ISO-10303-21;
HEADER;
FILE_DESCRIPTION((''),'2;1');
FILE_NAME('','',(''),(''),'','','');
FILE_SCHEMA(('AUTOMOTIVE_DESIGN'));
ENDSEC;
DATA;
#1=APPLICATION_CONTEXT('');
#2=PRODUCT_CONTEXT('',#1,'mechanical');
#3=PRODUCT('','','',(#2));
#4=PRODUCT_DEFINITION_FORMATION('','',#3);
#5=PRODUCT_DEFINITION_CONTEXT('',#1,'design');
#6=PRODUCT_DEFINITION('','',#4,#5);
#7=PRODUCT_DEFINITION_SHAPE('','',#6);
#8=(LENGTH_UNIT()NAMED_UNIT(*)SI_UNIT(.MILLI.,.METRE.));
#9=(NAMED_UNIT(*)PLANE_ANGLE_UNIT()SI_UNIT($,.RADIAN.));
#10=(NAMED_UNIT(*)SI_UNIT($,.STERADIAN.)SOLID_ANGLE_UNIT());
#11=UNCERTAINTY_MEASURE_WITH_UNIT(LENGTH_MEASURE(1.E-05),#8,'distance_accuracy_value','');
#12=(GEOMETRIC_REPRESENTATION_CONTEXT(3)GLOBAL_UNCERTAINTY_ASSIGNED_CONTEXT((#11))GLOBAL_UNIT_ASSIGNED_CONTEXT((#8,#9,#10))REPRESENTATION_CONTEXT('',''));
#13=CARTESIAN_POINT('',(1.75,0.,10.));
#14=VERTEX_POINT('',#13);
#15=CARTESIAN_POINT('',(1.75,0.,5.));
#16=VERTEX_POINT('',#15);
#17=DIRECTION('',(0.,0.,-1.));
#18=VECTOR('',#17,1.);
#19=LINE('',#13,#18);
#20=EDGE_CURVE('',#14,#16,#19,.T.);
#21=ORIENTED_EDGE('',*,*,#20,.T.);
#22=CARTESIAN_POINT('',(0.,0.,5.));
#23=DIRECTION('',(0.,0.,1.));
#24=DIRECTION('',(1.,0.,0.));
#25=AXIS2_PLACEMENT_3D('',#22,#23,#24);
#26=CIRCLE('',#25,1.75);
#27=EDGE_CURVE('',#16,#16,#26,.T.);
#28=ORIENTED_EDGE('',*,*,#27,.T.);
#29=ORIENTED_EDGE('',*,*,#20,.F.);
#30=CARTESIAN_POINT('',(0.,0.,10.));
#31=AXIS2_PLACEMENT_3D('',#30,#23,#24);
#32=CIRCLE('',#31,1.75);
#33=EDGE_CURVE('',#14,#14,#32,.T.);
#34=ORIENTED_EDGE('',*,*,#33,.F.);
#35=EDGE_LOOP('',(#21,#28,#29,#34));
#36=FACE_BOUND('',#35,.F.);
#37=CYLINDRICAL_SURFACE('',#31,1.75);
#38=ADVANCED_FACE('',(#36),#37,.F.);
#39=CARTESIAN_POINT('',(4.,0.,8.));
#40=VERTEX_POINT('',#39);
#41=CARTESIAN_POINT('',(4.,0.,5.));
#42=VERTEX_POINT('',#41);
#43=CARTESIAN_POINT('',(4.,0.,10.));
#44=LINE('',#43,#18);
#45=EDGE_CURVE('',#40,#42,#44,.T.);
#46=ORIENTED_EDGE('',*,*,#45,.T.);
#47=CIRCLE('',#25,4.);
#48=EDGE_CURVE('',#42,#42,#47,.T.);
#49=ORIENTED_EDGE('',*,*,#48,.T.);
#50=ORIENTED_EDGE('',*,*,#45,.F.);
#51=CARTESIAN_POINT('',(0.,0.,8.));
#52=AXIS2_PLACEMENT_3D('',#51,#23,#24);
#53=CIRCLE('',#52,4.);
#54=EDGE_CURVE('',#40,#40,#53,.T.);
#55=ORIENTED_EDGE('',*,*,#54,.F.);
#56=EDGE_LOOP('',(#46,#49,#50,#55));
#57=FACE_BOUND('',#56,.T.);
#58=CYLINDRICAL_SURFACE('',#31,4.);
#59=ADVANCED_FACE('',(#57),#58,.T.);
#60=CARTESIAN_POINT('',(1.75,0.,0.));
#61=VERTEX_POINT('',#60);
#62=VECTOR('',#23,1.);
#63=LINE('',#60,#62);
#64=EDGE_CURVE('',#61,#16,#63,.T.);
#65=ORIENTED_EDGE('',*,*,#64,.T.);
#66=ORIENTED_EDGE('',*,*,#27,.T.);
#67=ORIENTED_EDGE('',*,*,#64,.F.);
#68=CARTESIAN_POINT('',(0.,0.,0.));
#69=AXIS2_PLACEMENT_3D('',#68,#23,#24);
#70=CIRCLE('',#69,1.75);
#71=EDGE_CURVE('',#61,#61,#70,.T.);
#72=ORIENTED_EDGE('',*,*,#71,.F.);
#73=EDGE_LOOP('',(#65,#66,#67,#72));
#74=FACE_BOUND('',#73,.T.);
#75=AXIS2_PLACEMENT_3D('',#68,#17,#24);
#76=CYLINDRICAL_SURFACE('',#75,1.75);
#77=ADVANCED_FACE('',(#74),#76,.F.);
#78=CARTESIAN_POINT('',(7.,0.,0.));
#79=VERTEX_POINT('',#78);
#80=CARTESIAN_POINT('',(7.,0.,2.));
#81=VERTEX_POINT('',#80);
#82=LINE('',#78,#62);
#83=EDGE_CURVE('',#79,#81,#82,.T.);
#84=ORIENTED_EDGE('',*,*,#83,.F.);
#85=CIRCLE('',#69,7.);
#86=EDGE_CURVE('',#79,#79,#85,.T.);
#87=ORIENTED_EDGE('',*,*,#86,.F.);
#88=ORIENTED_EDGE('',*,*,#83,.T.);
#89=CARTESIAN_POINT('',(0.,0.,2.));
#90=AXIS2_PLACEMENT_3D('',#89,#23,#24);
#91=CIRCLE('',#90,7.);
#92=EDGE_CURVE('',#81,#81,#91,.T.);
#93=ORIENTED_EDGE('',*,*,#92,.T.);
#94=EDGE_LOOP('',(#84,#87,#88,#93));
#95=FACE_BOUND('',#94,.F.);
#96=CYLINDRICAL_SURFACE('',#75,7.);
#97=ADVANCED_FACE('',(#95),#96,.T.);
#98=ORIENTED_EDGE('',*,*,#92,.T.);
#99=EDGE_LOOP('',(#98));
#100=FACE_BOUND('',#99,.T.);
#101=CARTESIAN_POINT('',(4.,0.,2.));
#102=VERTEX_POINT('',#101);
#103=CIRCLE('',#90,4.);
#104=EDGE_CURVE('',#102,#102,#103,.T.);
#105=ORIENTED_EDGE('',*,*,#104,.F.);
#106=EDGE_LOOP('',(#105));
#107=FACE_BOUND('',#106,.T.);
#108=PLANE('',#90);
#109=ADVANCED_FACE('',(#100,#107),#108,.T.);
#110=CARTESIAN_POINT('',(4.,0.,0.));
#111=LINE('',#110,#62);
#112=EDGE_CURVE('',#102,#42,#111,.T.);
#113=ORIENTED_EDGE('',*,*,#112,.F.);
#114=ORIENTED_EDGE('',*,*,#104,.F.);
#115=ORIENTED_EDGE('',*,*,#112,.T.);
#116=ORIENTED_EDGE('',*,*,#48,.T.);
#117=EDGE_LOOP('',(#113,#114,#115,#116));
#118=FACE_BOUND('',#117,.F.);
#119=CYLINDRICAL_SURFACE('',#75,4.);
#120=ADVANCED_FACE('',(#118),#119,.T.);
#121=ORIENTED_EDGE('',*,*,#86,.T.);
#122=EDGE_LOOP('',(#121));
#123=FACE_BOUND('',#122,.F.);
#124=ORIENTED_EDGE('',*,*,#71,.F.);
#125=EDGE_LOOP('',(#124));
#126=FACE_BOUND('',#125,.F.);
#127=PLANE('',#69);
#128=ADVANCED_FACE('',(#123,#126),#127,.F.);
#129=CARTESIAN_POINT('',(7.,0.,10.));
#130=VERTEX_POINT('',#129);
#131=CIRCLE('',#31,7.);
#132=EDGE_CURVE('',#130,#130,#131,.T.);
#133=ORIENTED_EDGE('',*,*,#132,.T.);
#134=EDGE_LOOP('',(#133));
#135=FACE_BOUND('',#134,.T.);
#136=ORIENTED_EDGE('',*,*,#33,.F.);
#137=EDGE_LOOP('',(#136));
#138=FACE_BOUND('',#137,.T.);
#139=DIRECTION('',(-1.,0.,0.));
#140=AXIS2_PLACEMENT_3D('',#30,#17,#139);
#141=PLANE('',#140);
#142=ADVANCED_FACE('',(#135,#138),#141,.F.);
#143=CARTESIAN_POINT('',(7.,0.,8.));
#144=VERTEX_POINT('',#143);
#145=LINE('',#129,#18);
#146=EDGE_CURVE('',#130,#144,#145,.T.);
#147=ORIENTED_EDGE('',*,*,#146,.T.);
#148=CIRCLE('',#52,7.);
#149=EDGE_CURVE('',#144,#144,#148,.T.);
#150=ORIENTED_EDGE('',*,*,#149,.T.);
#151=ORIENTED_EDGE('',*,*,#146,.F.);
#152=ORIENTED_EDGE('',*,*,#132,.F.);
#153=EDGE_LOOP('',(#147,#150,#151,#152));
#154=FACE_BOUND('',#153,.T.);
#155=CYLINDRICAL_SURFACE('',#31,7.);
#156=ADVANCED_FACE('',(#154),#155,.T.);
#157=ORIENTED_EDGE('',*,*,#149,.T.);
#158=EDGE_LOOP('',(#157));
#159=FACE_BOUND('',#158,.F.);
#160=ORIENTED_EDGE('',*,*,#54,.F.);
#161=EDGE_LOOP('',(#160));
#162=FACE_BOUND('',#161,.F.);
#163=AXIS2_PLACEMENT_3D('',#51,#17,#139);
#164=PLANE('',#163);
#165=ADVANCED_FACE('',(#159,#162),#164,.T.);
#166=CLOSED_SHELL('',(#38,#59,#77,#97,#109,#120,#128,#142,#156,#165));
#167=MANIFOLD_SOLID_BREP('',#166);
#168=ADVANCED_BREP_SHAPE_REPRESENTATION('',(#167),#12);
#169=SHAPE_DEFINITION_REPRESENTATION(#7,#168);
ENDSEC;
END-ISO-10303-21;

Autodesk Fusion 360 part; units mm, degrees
sketch "Esquisse1" plane through (0, 0, 0) normal (0, 0, 1) x (1, 0, 0)
  circle A0 centre (0, 0) radius 1.75
  circle A1 centre (0, 0) radius 4
  circle A2 centre (0, 0) radius 7
  dimension "d1" = 3.5
  dimension "d10" = 8
  dimension "d11" = 3
extrude "Extrusion2" add sketch "Esquisse1" along normal blind 5 contours A1
extrude "Extrusion3" add sketch "Esquisse1" along normal blind 2 contours A2
mirror "Symétrie miroir2" about plane through (0, 0, 5) normal (0, 0, 1) of bodies 1 merged
